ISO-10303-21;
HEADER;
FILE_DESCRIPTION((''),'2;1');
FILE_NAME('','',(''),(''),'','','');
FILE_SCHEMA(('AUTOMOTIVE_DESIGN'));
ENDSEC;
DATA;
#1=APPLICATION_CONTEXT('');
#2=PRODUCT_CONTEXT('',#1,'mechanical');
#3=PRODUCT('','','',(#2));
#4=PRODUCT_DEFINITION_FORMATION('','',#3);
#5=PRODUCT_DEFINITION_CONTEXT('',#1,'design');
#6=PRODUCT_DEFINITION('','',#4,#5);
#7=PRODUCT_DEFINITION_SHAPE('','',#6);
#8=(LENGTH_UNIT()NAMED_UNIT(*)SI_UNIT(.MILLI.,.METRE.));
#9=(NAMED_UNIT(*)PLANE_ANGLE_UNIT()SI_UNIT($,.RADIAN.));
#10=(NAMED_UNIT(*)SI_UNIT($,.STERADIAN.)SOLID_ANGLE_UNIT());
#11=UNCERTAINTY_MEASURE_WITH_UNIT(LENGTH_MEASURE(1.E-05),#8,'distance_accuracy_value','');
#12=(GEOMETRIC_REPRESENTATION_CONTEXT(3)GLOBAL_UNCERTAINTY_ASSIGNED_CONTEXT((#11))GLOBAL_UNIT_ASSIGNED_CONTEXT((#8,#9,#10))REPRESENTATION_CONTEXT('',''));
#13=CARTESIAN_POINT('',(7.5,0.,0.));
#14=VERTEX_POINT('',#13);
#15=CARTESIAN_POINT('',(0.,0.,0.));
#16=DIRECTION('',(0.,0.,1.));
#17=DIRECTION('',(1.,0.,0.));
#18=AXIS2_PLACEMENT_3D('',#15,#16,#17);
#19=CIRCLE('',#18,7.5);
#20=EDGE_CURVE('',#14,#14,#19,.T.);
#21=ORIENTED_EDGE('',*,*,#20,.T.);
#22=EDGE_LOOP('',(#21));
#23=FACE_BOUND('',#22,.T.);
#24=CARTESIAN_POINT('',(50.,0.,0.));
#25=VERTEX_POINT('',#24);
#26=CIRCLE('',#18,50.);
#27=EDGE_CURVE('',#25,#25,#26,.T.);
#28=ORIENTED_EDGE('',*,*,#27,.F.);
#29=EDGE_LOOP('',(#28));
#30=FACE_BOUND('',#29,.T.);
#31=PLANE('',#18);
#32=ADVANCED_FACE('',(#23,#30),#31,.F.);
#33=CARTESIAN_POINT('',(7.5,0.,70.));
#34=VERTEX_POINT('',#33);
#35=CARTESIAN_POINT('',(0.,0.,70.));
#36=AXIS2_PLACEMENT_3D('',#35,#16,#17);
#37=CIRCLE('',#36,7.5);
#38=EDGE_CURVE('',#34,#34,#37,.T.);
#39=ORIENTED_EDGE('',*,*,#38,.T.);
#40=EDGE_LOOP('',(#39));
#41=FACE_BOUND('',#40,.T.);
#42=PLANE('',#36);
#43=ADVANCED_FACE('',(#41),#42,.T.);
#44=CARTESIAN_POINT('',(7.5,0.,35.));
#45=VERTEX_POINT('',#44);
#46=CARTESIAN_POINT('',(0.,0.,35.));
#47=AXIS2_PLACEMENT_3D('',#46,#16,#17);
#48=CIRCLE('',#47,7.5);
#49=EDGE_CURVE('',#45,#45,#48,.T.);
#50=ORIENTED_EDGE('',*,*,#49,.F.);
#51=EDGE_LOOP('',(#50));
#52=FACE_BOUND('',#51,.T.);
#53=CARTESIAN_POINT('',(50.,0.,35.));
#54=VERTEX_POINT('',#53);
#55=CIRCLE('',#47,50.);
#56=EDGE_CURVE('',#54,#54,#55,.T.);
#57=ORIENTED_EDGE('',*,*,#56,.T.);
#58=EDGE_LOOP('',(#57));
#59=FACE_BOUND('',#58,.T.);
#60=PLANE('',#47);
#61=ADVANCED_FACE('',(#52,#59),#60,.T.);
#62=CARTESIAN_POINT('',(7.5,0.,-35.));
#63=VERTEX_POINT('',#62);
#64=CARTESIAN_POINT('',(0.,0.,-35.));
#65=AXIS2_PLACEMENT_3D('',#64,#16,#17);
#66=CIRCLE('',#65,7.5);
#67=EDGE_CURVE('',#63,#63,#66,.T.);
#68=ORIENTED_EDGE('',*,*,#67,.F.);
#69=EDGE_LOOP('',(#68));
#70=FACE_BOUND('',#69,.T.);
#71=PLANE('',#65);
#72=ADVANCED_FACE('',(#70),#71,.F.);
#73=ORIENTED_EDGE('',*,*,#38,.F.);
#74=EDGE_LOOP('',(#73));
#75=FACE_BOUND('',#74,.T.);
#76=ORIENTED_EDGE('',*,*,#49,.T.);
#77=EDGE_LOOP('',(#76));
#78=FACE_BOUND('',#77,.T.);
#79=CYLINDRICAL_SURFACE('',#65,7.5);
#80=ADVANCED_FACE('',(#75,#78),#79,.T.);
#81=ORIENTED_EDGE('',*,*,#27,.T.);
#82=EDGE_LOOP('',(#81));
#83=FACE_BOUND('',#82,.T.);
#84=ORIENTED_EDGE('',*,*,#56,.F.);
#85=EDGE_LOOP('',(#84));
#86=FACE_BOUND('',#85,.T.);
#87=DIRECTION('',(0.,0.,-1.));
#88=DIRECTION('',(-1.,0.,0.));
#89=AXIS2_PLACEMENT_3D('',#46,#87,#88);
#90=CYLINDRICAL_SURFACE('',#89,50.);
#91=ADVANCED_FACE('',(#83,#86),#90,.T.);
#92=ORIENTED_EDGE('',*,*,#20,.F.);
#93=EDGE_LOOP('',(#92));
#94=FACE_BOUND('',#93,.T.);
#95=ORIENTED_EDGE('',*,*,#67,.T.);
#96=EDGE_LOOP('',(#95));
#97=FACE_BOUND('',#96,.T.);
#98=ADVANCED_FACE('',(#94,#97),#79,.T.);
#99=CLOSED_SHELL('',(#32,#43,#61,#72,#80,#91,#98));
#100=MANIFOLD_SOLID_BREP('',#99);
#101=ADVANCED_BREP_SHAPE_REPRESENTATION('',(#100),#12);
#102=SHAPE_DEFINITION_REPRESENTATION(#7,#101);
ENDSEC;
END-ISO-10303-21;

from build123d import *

# Parameters (mm, degrees)
SKETCH1_R                = 50
BOSS_EXTRUDE3_DEPTH      = 35
BOSS_EXTRUDE4_DEPTH      = 35
BOSS_EXTRUDE4_DEPTH_BACK = 70
SKETCH3_R                = 7.5


with BuildPart() as part:
    # Sketch1 → Boss-Extrude3 (new body)
    with BuildSketch(Plane.XY):
        Circle(SKETCH1_R)
    extrude(amount=BOSS_EXTRUDE3_DEPTH)

    # Sketch3 → Boss-Extrude4 (add, two sides: drawn at the far end of the back side and taken through both)
    with BuildSketch(Plane.XY.offset(35).offset(-BOSS_EXTRUDE4_DEPTH_BACK)):
        Circle(SKETCH3_R)
    extrude(amount=BOSS_EXTRUDE4_DEPTH + BOSS_EXTRUDE4_DEPTH_BACK)


solid = part.part
